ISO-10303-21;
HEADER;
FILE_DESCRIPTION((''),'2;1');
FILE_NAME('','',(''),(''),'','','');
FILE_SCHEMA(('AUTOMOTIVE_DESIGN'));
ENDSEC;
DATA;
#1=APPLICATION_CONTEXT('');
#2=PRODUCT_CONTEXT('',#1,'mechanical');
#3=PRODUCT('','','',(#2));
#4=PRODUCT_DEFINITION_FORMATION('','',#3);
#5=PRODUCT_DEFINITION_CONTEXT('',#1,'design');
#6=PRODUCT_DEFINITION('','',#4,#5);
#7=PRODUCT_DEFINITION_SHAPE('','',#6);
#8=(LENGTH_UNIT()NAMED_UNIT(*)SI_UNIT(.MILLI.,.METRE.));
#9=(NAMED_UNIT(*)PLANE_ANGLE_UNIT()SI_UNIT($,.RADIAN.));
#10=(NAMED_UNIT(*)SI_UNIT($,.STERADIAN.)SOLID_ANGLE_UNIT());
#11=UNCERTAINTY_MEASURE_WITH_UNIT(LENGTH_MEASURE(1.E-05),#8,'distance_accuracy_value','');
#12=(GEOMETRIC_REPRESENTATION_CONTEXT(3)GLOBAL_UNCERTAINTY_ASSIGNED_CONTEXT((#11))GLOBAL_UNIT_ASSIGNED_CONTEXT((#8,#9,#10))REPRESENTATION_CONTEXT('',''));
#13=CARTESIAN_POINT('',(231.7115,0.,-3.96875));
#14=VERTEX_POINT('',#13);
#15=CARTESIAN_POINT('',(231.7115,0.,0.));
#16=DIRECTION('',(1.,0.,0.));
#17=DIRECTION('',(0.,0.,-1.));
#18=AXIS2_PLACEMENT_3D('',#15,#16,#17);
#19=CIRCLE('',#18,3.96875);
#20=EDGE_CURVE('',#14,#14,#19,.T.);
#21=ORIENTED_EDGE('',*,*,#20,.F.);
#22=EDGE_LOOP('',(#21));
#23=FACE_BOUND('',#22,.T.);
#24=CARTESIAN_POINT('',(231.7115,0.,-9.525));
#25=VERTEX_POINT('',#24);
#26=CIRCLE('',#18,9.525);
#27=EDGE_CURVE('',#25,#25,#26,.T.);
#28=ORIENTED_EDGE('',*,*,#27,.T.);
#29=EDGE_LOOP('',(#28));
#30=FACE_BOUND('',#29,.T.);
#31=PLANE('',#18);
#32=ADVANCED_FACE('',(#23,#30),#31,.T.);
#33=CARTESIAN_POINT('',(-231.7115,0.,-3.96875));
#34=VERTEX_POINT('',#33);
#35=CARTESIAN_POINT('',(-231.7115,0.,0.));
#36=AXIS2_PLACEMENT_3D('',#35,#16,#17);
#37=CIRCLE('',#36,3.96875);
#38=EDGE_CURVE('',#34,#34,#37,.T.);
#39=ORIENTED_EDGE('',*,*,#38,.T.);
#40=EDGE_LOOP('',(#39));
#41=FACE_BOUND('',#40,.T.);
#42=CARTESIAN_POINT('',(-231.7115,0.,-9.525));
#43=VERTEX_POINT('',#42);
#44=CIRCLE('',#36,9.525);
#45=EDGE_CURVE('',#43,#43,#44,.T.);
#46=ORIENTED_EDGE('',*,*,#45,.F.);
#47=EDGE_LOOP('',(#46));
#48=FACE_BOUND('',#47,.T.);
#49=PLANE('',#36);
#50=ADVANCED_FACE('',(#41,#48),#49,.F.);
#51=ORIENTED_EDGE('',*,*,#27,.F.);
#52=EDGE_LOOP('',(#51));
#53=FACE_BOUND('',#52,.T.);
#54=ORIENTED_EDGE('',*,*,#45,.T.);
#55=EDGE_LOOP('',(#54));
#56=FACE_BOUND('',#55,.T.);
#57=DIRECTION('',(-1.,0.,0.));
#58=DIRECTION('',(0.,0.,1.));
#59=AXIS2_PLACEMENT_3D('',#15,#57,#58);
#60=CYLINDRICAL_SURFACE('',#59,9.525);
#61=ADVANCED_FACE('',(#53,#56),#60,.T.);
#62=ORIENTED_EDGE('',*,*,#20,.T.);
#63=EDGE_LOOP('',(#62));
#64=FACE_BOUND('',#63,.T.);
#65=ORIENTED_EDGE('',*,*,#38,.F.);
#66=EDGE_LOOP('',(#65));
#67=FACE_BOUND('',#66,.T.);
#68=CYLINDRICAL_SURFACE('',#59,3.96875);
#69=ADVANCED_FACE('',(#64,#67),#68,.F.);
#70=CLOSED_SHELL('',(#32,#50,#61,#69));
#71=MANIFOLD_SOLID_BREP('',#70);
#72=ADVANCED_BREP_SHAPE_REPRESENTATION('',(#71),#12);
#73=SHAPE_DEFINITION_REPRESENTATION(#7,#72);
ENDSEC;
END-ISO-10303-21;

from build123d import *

# Parameters (mm, degrees)
SKETCH1_R           = 9.525
SKETCH1_R_2         = 3.96875
BOSS_EXTRUDE1_DEPTH = 231.7115


with BuildPart() as part:
    # Sketch1 → Boss-Extrude1 (new body, symmetric)
    with BuildSketch(Plane(origin=(0, 0, 0), x_dir=(0, 0, -1), z_dir=(1, 0, 0))):
        Circle(SKETCH1_R)
        Circle(SKETCH1_R_2, mode=Mode.SUBTRACT)
    extrude(amount=BOSS_EXTRUDE1_DEPTH, both=True)


solid = part.part
